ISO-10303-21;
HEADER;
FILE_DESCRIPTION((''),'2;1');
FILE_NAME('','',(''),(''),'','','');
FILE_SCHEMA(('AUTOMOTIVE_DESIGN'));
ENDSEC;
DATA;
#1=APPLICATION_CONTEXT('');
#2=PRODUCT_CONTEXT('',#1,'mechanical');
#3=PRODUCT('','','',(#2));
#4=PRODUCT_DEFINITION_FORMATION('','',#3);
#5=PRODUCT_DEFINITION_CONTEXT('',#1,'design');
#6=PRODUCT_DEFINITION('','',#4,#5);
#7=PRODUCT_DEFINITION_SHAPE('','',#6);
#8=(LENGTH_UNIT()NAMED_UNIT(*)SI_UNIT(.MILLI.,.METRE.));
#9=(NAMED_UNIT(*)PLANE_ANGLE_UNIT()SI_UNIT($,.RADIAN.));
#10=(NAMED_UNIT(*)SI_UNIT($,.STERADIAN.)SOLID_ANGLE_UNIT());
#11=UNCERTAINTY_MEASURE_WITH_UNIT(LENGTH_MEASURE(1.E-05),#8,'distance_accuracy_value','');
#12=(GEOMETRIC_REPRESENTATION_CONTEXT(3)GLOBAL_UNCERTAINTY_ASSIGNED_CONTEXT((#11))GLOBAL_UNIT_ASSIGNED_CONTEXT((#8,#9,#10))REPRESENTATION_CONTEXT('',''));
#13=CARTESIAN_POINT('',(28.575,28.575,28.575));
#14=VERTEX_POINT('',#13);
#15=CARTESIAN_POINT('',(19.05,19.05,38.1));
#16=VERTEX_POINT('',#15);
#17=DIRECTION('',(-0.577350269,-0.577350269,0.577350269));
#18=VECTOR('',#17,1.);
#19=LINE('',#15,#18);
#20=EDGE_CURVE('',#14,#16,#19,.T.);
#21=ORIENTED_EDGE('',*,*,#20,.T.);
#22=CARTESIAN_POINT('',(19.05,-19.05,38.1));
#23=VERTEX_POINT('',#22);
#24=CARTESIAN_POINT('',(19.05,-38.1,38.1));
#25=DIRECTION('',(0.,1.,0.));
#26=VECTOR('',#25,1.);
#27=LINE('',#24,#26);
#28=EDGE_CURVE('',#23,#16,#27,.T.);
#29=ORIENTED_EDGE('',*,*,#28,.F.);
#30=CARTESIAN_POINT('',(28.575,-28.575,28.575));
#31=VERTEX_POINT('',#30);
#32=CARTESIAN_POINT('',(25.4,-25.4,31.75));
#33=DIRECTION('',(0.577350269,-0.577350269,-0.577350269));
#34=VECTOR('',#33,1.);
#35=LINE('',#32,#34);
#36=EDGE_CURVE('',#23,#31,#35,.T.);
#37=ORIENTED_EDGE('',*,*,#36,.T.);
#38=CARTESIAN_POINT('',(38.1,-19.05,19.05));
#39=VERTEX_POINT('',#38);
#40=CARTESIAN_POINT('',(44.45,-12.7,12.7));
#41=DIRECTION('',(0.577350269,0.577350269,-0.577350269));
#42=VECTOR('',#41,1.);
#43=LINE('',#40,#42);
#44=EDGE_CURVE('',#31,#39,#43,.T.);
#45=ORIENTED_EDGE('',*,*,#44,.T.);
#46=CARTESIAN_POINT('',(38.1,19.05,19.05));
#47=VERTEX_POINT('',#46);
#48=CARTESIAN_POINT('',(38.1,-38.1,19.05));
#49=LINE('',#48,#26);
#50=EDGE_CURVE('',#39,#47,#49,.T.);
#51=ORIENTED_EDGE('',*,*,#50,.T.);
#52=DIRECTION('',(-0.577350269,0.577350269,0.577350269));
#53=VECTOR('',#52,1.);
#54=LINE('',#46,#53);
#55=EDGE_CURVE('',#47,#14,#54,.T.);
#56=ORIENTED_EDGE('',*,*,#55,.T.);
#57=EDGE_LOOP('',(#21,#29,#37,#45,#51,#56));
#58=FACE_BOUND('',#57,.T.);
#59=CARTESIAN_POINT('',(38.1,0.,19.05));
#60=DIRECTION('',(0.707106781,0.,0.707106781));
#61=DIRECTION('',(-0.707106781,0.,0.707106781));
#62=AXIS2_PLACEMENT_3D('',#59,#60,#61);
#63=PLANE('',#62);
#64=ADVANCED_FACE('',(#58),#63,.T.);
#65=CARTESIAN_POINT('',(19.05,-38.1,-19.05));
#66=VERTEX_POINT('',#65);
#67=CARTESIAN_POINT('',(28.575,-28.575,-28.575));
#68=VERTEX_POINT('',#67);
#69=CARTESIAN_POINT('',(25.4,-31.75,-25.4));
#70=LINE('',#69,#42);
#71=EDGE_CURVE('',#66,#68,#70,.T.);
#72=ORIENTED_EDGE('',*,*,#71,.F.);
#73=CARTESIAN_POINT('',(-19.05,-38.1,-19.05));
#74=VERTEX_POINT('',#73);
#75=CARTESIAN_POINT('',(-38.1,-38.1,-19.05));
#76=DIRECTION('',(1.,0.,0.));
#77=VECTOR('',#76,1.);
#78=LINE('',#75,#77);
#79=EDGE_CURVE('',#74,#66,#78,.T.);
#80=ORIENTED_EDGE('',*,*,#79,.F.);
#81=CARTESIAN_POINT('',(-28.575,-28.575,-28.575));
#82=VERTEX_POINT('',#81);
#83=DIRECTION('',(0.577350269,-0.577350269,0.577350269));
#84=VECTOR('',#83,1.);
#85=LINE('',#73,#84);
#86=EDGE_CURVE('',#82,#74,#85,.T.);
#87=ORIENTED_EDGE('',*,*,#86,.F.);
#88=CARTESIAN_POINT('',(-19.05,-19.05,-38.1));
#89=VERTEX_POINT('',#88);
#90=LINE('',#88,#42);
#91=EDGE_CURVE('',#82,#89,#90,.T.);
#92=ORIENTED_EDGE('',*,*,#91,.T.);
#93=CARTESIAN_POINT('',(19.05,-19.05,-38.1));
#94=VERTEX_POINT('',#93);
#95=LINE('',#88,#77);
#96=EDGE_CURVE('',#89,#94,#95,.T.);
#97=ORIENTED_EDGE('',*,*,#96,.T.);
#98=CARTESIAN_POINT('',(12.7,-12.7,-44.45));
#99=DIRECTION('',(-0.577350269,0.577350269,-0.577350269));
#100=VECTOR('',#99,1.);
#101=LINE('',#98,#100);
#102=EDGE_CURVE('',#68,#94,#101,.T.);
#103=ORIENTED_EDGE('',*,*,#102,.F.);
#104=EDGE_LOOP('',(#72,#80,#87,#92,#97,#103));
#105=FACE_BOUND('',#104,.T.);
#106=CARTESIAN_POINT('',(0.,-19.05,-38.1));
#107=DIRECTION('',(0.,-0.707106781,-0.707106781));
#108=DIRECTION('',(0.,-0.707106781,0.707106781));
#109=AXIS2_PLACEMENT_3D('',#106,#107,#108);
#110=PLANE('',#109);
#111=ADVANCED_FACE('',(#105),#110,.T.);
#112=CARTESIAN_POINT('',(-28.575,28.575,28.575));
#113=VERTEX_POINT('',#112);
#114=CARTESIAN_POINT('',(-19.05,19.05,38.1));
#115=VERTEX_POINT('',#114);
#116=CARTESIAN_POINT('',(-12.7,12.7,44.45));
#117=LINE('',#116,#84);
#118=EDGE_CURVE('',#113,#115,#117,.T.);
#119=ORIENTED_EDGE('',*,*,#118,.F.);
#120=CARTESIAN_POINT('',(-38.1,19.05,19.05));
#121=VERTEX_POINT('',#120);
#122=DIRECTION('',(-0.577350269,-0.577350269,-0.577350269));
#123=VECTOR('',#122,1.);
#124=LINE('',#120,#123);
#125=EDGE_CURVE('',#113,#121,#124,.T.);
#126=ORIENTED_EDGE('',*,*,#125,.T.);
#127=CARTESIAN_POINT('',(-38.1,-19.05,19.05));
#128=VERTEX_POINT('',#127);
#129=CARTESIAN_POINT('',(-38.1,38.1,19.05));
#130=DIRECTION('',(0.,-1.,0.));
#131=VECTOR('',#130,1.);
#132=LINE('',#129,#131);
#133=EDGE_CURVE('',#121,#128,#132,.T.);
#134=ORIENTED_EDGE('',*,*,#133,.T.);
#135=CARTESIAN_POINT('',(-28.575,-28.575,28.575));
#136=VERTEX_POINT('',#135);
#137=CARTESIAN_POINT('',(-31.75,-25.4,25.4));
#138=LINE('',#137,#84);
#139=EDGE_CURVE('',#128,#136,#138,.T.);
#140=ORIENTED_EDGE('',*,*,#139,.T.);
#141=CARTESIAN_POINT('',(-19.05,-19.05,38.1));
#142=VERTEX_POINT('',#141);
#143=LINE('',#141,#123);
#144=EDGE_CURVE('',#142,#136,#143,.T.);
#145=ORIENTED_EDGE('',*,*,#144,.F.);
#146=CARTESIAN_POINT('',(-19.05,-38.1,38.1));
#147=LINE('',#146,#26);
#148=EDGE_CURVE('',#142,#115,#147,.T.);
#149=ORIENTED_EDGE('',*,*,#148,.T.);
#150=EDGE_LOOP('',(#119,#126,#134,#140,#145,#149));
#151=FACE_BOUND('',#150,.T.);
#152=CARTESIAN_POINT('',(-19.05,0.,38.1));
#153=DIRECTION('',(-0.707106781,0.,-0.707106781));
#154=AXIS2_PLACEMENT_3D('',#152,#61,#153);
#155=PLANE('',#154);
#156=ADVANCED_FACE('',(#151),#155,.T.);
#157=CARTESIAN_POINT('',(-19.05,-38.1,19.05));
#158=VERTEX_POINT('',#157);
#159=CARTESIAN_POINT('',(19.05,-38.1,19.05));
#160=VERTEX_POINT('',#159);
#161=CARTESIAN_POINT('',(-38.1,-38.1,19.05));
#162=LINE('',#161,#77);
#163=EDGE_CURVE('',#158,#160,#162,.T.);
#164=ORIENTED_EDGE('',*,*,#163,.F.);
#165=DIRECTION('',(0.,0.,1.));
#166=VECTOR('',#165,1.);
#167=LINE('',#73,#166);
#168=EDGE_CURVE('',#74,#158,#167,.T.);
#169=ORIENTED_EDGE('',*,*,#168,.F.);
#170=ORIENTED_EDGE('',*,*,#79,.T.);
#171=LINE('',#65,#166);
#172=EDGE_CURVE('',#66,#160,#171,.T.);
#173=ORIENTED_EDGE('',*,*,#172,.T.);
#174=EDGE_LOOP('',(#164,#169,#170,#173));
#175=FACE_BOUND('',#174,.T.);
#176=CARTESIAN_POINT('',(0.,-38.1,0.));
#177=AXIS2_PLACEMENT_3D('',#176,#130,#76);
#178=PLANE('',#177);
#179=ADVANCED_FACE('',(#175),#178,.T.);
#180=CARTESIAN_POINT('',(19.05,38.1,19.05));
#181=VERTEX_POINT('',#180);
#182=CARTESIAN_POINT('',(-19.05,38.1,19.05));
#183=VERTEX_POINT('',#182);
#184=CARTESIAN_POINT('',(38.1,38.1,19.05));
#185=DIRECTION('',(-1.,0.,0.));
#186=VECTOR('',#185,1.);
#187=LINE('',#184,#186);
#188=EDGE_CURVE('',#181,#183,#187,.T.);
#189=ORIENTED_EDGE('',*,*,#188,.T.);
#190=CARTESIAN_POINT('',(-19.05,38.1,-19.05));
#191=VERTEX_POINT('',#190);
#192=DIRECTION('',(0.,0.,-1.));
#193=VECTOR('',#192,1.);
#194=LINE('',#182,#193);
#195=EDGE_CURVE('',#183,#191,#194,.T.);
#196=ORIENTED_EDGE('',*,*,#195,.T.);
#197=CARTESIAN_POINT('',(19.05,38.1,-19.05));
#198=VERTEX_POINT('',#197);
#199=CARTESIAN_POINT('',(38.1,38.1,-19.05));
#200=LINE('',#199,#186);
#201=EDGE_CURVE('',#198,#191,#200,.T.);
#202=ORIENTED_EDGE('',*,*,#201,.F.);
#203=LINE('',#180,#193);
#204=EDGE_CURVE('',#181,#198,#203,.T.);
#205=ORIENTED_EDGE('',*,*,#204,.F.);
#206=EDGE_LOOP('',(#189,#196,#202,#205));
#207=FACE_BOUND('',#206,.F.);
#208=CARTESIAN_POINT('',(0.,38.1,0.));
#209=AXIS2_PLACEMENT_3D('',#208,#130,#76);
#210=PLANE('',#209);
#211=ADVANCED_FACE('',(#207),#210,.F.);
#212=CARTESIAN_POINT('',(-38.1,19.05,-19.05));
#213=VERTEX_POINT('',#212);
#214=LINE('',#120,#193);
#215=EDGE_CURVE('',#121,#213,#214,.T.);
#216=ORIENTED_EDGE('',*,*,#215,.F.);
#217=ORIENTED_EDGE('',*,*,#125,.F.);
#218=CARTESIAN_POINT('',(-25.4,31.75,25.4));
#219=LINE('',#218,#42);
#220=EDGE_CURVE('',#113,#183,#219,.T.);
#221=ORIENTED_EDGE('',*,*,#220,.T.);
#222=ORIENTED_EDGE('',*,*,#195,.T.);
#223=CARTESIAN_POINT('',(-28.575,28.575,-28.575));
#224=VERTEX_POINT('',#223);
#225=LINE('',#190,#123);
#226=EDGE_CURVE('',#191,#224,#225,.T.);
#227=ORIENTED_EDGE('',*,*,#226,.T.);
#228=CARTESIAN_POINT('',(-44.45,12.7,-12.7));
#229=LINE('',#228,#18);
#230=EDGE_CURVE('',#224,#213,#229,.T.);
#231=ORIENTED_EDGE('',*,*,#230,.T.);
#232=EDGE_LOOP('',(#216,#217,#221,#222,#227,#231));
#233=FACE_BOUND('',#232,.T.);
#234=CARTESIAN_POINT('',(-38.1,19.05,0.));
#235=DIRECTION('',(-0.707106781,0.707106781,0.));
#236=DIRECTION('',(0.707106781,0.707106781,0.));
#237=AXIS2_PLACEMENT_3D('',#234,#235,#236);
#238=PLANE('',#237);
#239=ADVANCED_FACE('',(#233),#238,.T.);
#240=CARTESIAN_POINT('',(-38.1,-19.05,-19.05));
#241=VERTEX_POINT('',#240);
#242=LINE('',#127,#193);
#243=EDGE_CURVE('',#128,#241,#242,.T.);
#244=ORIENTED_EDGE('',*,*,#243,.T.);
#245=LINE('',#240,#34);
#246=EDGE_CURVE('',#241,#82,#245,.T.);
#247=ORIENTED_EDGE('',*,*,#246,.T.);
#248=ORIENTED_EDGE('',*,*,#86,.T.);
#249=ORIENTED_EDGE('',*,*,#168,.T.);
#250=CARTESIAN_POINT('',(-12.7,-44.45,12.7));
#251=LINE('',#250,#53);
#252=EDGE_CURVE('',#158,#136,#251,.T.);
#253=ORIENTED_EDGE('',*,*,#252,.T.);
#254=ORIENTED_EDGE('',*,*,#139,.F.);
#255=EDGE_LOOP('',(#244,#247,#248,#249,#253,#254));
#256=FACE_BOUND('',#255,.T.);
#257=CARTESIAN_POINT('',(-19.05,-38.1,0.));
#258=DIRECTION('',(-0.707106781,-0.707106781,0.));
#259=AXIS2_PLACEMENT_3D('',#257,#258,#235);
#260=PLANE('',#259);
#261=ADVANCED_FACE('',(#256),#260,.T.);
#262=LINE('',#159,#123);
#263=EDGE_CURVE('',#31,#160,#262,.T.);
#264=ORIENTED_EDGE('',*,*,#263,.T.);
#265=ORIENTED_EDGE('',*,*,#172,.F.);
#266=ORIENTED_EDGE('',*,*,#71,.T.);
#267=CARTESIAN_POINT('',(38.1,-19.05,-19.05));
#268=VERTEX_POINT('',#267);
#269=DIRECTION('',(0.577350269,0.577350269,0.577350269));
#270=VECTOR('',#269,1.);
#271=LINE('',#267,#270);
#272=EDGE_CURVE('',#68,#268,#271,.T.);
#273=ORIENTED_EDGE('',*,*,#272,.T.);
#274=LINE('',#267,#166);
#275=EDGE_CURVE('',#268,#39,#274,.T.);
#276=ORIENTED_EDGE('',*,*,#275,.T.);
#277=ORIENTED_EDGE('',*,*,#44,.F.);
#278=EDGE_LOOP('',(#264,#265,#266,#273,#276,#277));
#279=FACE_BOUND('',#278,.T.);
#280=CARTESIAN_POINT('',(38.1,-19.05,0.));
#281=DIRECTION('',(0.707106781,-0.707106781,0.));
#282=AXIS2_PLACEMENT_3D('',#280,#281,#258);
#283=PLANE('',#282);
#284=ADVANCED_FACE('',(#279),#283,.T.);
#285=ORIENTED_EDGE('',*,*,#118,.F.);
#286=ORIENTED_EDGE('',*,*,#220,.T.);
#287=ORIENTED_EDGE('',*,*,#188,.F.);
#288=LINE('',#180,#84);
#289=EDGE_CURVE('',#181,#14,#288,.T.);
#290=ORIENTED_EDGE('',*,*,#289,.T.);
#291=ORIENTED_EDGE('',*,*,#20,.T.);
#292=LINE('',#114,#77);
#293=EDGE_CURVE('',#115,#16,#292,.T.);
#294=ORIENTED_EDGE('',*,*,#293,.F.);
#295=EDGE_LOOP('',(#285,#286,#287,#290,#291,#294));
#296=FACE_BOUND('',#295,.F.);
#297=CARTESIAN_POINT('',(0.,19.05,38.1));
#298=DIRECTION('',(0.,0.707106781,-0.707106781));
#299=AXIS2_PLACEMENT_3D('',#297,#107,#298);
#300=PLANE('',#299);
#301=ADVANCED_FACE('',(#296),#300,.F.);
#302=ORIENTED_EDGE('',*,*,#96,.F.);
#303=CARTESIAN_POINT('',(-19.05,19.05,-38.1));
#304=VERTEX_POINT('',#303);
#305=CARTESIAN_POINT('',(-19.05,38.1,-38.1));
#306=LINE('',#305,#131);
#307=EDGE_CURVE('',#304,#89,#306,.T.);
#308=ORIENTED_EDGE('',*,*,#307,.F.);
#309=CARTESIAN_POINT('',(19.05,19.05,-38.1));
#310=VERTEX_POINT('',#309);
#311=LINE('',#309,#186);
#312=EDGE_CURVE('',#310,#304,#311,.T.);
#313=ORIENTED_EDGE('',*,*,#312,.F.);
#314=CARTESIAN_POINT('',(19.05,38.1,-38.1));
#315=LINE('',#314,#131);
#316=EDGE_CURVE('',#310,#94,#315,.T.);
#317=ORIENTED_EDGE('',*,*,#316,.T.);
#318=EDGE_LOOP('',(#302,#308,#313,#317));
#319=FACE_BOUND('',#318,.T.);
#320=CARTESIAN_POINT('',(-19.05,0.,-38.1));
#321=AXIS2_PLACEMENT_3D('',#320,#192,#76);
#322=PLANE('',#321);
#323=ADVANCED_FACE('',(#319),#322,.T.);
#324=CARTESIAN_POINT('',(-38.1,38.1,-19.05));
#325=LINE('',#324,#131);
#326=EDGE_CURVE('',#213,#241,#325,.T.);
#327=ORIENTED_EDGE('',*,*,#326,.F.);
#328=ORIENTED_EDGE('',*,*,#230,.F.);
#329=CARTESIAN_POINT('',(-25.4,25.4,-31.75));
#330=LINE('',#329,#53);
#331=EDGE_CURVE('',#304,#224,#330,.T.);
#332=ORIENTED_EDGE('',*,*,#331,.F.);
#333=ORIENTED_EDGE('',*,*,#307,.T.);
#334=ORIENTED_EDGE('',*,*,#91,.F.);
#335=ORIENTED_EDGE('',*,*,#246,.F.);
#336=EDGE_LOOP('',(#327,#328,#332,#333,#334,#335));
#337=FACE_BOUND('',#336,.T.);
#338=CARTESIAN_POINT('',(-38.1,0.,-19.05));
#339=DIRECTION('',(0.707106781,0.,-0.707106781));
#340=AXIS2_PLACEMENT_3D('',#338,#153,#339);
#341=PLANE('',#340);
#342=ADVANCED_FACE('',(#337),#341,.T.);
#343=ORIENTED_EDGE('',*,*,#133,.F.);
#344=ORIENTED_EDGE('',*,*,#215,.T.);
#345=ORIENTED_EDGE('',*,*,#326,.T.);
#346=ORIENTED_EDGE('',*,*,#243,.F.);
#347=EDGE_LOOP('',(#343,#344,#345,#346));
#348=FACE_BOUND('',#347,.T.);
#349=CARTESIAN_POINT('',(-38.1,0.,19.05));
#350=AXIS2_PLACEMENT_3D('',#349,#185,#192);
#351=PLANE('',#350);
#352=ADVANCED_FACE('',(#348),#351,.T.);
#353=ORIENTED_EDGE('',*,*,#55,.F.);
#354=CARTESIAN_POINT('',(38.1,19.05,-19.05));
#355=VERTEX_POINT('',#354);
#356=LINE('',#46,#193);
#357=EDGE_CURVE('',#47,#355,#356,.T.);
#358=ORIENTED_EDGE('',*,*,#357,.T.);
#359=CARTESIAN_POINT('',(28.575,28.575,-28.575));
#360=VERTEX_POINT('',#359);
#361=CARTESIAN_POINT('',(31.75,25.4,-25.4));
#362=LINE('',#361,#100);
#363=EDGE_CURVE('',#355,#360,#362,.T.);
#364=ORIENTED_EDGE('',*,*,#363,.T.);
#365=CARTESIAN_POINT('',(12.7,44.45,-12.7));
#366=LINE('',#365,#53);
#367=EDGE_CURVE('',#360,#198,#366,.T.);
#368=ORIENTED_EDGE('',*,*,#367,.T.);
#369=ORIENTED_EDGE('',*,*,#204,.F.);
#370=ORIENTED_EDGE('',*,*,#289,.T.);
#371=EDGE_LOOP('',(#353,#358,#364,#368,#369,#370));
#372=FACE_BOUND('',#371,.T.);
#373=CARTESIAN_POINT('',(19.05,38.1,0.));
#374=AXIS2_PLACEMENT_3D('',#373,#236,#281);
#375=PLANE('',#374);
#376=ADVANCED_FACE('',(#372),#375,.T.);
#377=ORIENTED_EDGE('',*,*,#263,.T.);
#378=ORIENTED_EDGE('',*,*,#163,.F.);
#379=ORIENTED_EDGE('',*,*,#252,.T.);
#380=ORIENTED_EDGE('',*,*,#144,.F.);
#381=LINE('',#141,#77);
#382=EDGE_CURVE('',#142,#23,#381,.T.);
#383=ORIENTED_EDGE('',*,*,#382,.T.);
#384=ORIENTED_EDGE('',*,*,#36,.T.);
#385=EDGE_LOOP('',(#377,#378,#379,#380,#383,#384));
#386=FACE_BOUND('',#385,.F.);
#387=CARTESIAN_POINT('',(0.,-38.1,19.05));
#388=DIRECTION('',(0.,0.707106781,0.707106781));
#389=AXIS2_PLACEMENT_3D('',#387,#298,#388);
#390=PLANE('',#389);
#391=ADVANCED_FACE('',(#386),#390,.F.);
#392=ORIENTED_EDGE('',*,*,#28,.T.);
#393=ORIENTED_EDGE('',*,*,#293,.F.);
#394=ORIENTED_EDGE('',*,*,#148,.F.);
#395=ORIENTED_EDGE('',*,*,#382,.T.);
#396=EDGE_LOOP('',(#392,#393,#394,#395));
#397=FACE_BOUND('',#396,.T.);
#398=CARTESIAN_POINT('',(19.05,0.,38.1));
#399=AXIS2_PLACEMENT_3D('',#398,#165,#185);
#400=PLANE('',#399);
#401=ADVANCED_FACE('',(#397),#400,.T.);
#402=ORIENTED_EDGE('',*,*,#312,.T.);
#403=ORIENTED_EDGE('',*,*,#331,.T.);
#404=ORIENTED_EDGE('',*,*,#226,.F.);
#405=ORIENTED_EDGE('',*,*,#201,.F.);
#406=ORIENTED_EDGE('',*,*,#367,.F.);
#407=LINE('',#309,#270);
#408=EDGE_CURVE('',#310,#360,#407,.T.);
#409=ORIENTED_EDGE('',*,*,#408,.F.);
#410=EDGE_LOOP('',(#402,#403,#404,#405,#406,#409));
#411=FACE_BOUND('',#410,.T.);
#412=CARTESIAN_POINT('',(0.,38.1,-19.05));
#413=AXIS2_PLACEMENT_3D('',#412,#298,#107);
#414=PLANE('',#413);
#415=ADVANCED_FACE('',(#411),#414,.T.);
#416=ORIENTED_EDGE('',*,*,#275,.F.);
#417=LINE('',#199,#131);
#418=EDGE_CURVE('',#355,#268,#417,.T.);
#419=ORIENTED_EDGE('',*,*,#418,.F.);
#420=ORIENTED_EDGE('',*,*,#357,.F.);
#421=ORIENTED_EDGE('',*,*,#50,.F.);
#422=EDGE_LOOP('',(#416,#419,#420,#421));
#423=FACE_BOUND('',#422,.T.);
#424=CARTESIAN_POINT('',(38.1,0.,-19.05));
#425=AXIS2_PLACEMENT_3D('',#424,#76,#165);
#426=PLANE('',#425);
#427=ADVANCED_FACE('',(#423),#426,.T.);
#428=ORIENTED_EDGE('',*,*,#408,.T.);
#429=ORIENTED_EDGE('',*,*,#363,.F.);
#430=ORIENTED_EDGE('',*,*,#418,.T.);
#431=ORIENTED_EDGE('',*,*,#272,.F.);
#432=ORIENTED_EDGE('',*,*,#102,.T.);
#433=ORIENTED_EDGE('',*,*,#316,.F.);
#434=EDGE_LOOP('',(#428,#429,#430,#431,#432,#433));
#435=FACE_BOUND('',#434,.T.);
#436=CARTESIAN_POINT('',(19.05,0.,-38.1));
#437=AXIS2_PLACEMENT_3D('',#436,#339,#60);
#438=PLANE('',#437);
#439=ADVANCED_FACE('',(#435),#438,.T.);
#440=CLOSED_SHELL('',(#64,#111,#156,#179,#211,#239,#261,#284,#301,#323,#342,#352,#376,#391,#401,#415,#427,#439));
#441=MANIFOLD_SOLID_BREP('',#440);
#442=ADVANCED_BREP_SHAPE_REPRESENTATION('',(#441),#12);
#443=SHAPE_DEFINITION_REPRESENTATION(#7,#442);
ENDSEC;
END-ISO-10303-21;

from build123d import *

# Parameters (mm, degrees)
F1_DEPTH = 38.1
F2_DEPTH = 38.1
F4_DEPTH = 38.1
F5_DEPTH = 38.1
F7_DEPTH = 38.1
F8_DEPTH = 38.1


with BuildPart() as f1:
    # F0 (on Front) → F1 (new body)
    with BuildSketch(Plane.XZ):
        Polygon((-19.05, 38.1), (-38.1, 19.05), (-38.1, -19.05), (-19.05, -38.1), (19.05, -38.1), (38.1, -19.05), (38.1, 19.05), (19.05, 38.1), align=None)
    extrude(amount=F1_DEPTH)

    # F0 (on Front) → F2 (join)
    with BuildSketch(Plane.XZ):
        Polygon((-19.05, 38.1), (-38.1, 19.05), (-38.1, -19.05), (-19.05, -38.1), (19.05, -38.1), (38.1, -19.05), (38.1, 19.05), (19.05, 38.1), align=None)
    extrude(amount=-F2_DEPTH)

    # F3 (on Right) → F4 (cut)
    with BuildSketch(Plane.YZ):
        Polygon((-38.1, 38.1), (-38.1, 19.05), (-19.05, 38.1), align=None)
        Polygon((38.1, 38.1), (19.05, 38.1), (38.1, 19.05), align=None)
        Polygon((38.1, -19.05), (19.05, -38.1), (38.1, -38.1), align=None)
        Polygon((-19.05, -38.1), (-38.1, -19.05), (-38.1, -38.1), align=None)
    extrude(amount=-F4_DEPTH, mode=Mode.SUBTRACT)

    # F3 (on Right) → F5 (cut)
    with BuildSketch(Plane.YZ):
        Polygon((-38.1, 38.1), (-38.1, 19.05), (-19.05, 38.1), align=None)
        Polygon((38.1, 38.1), (19.05, 38.1), (38.1, 19.05), align=None)
        Polygon((38.1, -19.05), (19.05, -38.1), (38.1, -38.1), align=None)
        Polygon((-19.05, -38.1), (-38.1, -19.05), (-38.1, -38.1), align=None)
    extrude(amount=F5_DEPTH, mode=Mode.SUBTRACT)

    # F6 (on Top) → F7 (cut)
    with BuildSketch(Plane.XY):
        Polygon((38.1, -19.05), (19.05, -38.1), (38.1, -38.1), align=None)
        Polygon((19.05, 38.1), (38.1, 19.05), (38.1, 38.1), align=None)
        Polygon((-38.1, 38.1), (-38.1, 19.05), (-19.05, 38.1), align=None)
        Polygon((-38.1, -38.1), (-19.05, -38.1), (-38.1, -19.05), align=None)
    extrude(amount=-F7_DEPTH, mode=Mode.SUBTRACT)

    # F6 (on Top) → F8 (cut)
    with BuildSketch(Plane.XY):
        Polygon((38.1, -19.05), (19.05, -38.1), (38.1, -38.1), align=None)
        Polygon((-38.1, -38.1), (-19.05, -38.1), (-38.1, -19.05), align=None)
        Polygon((-38.1, 38.1), (-38.1, 19.05), (-19.05, 38.1), align=None)
        Polygon((19.05, 38.1), (38.1, 19.05), (38.1, 38.1), align=None)
    extrude(amount=F8_DEPTH, mode=Mode.SUBTRACT)


solid = f1.part
